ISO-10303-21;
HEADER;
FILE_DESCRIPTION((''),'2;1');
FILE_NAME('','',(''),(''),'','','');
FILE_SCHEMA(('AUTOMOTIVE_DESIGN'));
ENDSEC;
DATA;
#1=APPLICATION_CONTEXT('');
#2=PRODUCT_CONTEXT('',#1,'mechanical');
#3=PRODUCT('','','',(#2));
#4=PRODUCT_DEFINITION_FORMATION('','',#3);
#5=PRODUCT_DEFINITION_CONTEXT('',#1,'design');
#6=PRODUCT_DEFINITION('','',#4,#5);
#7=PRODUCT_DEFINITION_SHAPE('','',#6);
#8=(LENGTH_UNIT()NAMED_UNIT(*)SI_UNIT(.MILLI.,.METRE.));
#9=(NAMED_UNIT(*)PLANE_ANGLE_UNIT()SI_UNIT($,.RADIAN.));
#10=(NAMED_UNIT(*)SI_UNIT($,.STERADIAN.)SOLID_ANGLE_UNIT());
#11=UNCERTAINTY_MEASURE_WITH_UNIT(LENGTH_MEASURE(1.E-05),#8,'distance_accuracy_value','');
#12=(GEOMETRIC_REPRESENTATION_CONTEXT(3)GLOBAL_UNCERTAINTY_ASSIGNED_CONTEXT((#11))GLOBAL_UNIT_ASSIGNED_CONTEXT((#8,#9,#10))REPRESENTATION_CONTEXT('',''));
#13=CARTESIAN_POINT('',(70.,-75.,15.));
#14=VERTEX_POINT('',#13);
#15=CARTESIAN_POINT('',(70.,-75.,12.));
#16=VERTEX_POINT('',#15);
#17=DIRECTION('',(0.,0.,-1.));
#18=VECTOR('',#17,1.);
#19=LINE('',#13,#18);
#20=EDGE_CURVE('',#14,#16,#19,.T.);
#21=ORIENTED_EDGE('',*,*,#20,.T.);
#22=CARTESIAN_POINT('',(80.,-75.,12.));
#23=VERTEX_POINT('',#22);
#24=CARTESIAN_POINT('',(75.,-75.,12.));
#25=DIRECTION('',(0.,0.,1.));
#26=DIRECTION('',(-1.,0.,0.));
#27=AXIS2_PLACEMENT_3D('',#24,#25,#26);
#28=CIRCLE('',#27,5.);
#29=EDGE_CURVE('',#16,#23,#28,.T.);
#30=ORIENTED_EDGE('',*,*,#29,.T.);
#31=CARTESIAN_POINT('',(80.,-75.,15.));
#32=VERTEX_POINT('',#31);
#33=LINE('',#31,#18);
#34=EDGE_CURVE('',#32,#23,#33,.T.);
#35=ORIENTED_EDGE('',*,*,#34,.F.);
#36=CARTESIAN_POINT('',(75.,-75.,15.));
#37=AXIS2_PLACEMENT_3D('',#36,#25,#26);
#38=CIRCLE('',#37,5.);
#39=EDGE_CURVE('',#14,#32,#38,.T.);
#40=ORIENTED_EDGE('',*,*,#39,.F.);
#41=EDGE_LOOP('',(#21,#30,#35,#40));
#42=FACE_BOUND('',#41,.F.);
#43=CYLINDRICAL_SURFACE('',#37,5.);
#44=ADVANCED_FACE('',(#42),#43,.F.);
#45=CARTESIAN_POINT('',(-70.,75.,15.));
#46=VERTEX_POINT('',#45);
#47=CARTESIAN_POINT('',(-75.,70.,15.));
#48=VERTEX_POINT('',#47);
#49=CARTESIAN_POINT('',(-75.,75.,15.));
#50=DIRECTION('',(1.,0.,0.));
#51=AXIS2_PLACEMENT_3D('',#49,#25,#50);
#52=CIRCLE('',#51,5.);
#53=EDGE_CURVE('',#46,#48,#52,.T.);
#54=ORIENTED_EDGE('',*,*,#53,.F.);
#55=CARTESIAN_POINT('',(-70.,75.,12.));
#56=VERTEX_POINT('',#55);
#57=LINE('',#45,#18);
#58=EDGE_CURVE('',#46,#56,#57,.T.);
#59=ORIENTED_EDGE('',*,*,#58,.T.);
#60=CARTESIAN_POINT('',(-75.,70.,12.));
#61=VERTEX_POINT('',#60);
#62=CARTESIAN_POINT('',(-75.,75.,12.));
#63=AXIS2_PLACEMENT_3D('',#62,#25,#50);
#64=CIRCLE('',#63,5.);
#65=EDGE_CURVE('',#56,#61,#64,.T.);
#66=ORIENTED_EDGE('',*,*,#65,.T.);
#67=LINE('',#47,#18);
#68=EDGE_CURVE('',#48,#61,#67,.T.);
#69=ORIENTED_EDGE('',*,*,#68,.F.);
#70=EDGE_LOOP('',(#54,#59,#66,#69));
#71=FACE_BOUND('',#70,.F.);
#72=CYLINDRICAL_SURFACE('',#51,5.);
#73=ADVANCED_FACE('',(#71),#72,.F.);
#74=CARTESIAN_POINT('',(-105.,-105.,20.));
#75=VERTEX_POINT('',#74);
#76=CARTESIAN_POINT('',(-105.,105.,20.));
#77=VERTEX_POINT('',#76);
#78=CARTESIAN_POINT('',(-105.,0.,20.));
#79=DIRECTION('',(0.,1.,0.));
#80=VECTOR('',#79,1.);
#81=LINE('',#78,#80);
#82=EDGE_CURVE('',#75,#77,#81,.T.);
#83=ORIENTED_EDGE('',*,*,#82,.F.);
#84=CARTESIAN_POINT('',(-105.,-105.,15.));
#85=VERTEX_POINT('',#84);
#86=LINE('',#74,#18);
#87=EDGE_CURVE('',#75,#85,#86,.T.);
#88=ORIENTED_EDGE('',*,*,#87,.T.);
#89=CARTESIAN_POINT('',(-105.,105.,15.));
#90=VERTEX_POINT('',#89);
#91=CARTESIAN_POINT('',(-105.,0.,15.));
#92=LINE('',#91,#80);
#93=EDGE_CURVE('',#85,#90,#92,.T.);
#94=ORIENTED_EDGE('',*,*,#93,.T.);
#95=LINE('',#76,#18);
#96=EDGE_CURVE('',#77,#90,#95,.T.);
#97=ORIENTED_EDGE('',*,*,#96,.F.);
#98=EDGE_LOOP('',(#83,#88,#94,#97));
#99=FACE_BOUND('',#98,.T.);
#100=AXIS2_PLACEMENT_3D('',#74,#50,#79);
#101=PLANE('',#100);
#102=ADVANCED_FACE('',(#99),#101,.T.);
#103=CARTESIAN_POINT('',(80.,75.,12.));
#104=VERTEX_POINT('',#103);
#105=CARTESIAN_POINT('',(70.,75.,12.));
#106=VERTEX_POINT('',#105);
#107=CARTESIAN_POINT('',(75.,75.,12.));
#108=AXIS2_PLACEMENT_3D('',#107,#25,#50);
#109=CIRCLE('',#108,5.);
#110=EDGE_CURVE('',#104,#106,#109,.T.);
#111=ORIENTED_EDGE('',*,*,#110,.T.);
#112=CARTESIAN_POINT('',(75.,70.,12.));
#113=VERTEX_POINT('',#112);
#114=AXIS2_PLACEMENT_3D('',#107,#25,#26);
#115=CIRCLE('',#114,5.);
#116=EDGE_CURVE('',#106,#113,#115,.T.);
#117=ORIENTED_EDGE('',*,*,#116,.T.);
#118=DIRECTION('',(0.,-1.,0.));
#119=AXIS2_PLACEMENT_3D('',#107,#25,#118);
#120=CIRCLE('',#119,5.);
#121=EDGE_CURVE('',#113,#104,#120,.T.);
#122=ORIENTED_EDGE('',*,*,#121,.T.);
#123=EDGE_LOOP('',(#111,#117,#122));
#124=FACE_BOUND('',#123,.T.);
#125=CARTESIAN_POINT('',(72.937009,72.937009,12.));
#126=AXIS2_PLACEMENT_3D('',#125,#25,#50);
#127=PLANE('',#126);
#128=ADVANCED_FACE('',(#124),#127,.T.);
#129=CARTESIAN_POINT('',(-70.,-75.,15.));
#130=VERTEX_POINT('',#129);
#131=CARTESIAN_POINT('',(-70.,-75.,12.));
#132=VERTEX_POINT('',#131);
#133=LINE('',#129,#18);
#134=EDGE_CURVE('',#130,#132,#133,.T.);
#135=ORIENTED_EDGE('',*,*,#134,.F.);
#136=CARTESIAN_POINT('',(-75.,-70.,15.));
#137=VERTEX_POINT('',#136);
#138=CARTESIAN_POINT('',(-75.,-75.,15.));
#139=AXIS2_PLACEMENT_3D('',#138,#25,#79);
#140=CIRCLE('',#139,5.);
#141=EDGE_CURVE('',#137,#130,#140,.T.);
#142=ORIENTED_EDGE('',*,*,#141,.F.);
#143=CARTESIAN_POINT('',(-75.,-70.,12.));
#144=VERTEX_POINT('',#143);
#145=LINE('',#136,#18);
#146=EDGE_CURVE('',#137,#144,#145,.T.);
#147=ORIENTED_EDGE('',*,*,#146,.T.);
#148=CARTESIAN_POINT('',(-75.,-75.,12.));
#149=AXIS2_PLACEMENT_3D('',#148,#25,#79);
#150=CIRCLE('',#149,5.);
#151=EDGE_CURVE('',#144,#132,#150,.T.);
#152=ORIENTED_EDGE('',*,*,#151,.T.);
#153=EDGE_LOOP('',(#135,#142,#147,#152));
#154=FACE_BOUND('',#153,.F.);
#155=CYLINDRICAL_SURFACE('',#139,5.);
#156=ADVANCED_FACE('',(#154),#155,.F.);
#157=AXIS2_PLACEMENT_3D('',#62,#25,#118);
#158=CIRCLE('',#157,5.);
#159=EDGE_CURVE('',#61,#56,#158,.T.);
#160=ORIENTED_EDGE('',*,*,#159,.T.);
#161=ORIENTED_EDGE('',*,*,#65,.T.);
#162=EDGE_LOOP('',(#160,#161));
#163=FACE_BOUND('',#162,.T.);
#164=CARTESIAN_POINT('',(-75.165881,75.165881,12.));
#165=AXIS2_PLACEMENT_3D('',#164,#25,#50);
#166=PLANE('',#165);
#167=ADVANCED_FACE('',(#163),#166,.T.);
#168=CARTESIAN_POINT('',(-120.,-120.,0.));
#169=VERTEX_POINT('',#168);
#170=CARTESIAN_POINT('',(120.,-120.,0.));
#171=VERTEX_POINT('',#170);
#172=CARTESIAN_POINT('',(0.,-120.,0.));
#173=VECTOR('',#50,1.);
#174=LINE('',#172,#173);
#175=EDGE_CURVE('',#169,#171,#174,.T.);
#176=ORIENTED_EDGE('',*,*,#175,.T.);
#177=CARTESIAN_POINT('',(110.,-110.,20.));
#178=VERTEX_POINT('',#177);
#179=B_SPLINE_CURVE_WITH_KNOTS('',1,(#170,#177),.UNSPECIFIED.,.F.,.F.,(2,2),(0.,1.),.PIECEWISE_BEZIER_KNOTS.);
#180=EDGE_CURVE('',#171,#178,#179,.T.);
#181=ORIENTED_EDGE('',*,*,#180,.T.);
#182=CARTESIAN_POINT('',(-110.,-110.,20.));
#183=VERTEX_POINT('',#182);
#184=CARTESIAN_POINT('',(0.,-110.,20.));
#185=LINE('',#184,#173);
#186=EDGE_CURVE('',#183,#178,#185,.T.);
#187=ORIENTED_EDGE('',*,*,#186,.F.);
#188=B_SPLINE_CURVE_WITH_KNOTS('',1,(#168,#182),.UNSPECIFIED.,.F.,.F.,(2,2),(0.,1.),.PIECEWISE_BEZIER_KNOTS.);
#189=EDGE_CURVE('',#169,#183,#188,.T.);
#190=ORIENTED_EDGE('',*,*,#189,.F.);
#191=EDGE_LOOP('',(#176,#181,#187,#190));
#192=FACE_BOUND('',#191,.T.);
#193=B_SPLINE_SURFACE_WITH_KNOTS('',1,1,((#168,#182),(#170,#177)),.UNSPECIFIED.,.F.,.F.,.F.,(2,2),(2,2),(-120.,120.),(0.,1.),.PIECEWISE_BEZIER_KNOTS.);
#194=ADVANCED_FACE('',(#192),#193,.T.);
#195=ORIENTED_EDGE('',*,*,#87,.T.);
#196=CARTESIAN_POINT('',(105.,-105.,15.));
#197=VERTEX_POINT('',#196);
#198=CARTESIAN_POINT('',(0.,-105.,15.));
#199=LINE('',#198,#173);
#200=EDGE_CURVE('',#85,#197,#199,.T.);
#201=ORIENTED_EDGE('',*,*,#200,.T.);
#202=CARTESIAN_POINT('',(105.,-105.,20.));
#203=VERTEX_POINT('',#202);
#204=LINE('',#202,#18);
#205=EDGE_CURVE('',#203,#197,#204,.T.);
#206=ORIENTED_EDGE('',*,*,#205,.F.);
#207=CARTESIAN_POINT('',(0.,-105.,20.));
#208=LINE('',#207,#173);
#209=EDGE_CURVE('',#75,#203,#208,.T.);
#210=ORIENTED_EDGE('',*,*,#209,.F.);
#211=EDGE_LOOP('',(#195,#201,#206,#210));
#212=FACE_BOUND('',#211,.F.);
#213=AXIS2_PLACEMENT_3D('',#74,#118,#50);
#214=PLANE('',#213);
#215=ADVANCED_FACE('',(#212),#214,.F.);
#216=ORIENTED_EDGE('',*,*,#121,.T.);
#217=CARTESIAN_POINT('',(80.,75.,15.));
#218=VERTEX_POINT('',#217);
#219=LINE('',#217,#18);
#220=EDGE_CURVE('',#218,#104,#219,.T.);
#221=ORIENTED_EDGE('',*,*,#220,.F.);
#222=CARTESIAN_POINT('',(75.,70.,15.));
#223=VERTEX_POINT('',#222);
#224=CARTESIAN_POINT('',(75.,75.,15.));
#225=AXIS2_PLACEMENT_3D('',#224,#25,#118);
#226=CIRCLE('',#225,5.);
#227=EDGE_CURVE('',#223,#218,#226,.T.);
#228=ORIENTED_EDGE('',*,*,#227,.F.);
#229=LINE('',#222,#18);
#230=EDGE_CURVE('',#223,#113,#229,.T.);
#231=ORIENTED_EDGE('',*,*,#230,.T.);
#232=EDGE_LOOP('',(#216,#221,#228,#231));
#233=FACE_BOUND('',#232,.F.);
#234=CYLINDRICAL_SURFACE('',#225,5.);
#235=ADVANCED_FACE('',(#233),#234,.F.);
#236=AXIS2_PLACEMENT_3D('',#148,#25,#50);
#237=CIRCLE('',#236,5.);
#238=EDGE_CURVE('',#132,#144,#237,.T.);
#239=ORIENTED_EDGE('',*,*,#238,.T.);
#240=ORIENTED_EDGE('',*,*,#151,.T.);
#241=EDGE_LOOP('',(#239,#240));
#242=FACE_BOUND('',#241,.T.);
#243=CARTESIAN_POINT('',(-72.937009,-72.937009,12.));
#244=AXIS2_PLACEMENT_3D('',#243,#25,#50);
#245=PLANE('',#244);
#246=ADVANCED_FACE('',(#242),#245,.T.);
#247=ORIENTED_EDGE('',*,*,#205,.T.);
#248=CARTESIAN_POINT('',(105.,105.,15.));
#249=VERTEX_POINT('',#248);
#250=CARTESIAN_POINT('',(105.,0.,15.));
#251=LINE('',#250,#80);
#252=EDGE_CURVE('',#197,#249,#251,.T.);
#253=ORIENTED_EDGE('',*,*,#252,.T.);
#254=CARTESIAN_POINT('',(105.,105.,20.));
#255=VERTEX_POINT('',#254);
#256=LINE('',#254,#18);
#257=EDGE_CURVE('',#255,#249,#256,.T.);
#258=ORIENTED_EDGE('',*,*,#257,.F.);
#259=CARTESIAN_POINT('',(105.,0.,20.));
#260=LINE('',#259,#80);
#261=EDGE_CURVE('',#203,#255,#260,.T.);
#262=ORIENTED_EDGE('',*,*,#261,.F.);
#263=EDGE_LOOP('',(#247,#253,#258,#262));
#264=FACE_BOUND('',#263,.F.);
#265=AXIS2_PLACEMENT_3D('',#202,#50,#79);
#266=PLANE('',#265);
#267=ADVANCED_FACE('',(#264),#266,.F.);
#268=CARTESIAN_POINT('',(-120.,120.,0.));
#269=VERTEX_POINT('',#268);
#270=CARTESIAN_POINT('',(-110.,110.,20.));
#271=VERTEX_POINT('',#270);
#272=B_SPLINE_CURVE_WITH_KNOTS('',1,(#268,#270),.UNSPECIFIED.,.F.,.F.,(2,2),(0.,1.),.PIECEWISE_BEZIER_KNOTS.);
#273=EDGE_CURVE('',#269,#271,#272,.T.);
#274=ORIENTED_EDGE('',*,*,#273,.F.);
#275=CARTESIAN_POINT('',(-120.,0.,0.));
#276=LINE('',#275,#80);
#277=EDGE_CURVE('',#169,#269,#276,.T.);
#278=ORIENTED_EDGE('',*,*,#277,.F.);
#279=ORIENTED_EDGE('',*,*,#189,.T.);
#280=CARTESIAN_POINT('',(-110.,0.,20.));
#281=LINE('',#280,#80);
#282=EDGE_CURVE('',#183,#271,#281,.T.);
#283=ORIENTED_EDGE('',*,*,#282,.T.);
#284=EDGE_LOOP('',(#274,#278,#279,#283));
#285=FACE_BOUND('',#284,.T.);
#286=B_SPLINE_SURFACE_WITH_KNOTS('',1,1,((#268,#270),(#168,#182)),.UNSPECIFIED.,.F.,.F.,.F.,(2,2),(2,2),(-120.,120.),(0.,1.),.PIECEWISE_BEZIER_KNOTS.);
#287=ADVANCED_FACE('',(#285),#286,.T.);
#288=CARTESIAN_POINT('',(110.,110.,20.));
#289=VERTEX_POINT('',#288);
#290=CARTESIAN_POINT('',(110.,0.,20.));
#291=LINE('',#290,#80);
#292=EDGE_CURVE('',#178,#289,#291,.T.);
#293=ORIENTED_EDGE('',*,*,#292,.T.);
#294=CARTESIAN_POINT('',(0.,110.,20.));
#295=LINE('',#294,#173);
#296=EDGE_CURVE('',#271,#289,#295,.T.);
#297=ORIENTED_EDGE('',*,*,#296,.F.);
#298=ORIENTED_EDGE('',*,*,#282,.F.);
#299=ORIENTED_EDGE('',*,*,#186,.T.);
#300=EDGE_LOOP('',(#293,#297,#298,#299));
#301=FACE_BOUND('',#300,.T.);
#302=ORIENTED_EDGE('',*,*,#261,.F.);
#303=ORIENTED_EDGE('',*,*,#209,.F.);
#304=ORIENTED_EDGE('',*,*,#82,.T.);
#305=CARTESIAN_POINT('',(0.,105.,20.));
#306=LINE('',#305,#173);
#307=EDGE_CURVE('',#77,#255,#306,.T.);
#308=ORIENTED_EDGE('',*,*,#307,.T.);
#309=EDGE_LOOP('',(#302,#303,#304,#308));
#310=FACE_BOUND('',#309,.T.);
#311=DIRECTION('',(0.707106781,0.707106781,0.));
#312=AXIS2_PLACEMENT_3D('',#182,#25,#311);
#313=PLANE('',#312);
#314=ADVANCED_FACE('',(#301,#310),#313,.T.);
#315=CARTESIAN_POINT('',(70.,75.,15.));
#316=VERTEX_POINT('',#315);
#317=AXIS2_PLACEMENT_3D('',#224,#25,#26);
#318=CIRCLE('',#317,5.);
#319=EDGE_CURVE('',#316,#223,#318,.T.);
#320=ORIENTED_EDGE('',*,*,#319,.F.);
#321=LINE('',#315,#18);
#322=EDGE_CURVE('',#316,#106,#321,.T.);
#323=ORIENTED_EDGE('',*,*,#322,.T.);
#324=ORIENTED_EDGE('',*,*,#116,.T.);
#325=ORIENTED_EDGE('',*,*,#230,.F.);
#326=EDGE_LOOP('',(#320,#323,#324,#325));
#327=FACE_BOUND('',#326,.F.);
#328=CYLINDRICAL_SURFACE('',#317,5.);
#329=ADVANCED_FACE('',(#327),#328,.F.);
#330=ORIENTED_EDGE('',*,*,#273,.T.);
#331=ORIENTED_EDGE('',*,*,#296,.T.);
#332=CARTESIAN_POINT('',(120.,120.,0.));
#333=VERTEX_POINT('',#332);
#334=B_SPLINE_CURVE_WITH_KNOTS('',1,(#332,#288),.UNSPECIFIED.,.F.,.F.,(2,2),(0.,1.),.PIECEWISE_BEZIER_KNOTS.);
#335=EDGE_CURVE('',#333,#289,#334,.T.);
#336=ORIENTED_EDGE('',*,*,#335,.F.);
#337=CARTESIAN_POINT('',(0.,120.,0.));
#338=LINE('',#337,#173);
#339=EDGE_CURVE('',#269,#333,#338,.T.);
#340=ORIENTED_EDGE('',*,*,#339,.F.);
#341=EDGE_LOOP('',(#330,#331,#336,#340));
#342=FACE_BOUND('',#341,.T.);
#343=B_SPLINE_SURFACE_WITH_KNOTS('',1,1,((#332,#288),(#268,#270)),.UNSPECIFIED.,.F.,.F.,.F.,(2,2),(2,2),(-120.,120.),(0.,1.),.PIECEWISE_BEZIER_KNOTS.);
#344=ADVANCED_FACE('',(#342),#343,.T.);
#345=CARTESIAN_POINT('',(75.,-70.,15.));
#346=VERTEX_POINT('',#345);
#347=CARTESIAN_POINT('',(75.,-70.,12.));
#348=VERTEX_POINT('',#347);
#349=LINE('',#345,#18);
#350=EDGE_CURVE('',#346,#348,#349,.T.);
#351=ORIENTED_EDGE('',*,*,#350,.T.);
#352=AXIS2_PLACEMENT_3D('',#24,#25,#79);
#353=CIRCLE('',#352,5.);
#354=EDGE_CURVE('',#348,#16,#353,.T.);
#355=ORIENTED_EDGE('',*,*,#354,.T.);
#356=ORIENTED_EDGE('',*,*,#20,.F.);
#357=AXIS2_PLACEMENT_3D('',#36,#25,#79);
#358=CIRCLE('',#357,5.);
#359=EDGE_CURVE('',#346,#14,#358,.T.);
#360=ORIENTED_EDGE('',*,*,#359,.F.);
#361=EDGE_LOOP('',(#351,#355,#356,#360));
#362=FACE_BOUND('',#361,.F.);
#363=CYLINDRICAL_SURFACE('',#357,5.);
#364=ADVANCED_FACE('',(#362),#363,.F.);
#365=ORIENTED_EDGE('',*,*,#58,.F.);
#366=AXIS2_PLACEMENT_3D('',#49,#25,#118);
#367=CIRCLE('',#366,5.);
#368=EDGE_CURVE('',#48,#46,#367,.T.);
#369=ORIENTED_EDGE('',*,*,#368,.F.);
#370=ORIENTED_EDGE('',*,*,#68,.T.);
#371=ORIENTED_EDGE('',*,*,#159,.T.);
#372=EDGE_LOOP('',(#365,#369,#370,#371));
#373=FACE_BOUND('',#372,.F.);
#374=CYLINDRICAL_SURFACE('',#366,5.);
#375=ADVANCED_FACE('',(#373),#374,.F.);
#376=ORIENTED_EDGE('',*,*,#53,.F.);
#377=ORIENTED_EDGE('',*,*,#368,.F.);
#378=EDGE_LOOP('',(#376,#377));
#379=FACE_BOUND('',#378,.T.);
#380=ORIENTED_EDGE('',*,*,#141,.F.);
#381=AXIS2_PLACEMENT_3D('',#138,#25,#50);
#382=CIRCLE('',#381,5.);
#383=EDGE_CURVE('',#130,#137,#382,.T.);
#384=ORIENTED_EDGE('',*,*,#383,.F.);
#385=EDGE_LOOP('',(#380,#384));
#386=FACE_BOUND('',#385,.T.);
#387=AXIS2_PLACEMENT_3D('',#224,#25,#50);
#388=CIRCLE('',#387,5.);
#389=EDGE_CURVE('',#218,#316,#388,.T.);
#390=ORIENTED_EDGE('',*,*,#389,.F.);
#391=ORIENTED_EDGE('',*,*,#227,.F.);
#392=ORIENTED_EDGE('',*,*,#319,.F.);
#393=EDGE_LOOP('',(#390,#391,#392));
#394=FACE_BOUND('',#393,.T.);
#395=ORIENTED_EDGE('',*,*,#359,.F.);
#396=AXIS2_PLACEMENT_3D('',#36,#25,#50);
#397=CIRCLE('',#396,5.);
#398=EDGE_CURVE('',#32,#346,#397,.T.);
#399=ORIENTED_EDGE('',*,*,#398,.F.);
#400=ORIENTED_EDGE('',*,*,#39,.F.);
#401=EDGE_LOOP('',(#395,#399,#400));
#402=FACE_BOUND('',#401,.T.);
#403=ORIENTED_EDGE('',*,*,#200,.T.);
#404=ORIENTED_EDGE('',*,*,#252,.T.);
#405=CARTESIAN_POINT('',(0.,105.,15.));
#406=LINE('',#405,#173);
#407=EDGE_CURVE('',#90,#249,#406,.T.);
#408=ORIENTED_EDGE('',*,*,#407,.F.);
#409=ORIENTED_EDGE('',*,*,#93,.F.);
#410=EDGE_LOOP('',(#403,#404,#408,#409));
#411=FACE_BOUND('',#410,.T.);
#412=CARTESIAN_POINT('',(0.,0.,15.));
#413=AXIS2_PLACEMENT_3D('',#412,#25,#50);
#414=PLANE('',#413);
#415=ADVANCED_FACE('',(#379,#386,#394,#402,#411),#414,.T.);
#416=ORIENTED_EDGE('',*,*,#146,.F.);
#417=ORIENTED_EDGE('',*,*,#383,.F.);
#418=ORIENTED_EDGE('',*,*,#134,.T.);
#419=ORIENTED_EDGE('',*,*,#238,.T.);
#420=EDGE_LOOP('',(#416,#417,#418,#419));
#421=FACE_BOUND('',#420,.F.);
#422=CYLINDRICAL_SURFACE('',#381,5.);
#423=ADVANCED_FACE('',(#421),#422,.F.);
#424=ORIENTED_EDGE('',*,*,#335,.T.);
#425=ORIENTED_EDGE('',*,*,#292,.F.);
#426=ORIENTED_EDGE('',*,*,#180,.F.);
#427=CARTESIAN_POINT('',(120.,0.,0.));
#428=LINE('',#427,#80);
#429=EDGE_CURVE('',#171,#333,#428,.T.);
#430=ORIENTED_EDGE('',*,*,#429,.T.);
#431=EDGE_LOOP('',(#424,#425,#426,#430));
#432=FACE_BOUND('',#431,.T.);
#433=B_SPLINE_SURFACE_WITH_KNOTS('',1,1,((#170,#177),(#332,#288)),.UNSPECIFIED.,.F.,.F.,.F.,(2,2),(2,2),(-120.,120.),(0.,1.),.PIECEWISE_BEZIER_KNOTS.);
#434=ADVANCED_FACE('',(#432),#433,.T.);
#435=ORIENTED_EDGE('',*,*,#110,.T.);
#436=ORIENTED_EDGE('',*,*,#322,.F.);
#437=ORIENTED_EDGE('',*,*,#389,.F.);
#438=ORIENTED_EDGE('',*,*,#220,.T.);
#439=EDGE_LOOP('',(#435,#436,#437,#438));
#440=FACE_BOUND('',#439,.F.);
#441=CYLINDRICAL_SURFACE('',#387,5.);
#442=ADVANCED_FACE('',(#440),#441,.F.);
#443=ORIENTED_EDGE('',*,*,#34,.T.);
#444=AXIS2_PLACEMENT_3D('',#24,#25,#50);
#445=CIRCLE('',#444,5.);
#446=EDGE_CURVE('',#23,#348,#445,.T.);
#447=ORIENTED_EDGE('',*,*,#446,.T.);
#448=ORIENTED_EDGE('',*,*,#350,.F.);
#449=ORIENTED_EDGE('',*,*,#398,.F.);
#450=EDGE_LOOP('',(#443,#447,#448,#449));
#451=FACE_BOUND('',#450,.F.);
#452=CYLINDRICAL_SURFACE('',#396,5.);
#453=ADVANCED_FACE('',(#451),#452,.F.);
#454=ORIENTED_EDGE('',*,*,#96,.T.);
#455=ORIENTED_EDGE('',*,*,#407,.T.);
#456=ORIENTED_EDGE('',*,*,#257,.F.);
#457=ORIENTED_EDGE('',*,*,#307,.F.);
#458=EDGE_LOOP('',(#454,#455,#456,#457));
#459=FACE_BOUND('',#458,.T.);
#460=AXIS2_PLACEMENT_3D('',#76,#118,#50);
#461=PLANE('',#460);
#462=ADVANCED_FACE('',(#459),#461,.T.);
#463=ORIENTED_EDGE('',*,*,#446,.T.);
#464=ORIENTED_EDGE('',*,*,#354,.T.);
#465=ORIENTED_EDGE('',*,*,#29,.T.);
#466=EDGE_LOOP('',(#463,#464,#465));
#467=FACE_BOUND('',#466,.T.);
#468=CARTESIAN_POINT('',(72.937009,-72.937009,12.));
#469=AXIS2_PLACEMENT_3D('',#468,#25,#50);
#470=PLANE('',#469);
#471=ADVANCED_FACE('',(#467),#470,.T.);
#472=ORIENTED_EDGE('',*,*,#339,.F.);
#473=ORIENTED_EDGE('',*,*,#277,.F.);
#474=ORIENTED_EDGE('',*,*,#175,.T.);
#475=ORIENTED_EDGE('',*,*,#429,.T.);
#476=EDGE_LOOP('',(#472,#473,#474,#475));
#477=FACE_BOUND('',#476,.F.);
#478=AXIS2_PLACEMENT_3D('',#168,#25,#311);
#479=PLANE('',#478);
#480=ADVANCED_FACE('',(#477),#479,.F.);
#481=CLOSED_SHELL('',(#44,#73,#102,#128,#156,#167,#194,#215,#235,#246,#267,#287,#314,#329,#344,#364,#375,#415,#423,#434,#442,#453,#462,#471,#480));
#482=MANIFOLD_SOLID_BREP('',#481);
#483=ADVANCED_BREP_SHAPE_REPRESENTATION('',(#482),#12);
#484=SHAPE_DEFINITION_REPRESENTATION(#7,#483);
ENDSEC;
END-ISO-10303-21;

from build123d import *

# Parameters (mm, degrees)
F0_W     = 240
F0_H     = 240
F2_W     = 220
F2_H     = 220
F4_W     = 210
F4_H     = 210
F5_DEPTH = 5
F7_DEPTH = 3


with BuildPart() as f3:
    # F0 (on Top) → F3 section 0
    with BuildSketch(Plane.XY):
        Rectangle(F0_W, F0_H)
    # F2 (on offset) → F3 section 1
    with BuildSketch(Plane.XY.offset(20)):
        Rectangle(F2_W, F2_H)
    loft()

    # F4 (on face) → F5 (cut)
    with BuildSketch(Plane.XY.offset(20)):
        Rectangle(F4_W, F4_H)
    extrude(amount=-F5_DEPTH, mode=Mode.SUBTRACT)

    # F6 (on face) → F7 (cut)
    with BuildSketch(Plane.XY.offset(15)):
        with BuildLine():
            ThreePointArc((-70, 75), (-78.5355339059, 78.5355339059), (-75, 70))
            Line((-75, 70), (-75, 75))
            Line((-75, 75), (-70, 75))
        make_face()
        with BuildLine():
            Line((-75, 75), (-75, 70))
            ThreePointArc((-75, 70), (-71.4644660941, 71.4644660941), (-70, 75))
            Line((-70, 75), (-75, 75))
        make_face()
        with BuildLine():
            ThreePointArc((70, 75), (71.4644660941, 71.4644660941), (75, 70))
            Line((75, 70), (75, 75))
            Line((75, 75), (70, 75))
        make_face()
        with BuildLine():
            Line((75, 75), (75, 70))
            ThreePointArc((75, 70), (78.5355339059, 71.4644660941), (80, 75))
            ThreePointArc((80, 75), (75, 80), (70, 75))
            Line((70, 75), (75, 75))
        make_face()
        with BuildLine():
            ThreePointArc((75, -70), (71.4644660941, -71.4644660941), (70, -75))
            Line((70, -75), (75, -75))
            Line((75, -75), (75, -70))
        make_face()
        with BuildLine():
            Line((75, -75), (70, -75))
            ThreePointArc((70, -75), (75, -80), (80, -75))
            ThreePointArc((80, -75), (78.5355339059, -71.4644660941), (75, -70))
            Line((75, -70), (75, -75))
        make_face()
        with BuildLine():
            Line((-75, -75), (-70, -75))
            ThreePointArc((-70, -75), (-71.4644660941, -71.4644660941), (-75, -70))
            Line((-75, -70), (-75, -75))
        make_face()
        with BuildLine():
            ThreePointArc((-75, -70), (-78.5355339059, -78.5355339059), (-70, -75))
            Line((-70, -75), (-75, -75))
            Line((-75, -75), (-75, -70))
        make_face()
    extrude(amount=-F7_DEPTH, mode=Mode.SUBTRACT)


solid = f3.part
